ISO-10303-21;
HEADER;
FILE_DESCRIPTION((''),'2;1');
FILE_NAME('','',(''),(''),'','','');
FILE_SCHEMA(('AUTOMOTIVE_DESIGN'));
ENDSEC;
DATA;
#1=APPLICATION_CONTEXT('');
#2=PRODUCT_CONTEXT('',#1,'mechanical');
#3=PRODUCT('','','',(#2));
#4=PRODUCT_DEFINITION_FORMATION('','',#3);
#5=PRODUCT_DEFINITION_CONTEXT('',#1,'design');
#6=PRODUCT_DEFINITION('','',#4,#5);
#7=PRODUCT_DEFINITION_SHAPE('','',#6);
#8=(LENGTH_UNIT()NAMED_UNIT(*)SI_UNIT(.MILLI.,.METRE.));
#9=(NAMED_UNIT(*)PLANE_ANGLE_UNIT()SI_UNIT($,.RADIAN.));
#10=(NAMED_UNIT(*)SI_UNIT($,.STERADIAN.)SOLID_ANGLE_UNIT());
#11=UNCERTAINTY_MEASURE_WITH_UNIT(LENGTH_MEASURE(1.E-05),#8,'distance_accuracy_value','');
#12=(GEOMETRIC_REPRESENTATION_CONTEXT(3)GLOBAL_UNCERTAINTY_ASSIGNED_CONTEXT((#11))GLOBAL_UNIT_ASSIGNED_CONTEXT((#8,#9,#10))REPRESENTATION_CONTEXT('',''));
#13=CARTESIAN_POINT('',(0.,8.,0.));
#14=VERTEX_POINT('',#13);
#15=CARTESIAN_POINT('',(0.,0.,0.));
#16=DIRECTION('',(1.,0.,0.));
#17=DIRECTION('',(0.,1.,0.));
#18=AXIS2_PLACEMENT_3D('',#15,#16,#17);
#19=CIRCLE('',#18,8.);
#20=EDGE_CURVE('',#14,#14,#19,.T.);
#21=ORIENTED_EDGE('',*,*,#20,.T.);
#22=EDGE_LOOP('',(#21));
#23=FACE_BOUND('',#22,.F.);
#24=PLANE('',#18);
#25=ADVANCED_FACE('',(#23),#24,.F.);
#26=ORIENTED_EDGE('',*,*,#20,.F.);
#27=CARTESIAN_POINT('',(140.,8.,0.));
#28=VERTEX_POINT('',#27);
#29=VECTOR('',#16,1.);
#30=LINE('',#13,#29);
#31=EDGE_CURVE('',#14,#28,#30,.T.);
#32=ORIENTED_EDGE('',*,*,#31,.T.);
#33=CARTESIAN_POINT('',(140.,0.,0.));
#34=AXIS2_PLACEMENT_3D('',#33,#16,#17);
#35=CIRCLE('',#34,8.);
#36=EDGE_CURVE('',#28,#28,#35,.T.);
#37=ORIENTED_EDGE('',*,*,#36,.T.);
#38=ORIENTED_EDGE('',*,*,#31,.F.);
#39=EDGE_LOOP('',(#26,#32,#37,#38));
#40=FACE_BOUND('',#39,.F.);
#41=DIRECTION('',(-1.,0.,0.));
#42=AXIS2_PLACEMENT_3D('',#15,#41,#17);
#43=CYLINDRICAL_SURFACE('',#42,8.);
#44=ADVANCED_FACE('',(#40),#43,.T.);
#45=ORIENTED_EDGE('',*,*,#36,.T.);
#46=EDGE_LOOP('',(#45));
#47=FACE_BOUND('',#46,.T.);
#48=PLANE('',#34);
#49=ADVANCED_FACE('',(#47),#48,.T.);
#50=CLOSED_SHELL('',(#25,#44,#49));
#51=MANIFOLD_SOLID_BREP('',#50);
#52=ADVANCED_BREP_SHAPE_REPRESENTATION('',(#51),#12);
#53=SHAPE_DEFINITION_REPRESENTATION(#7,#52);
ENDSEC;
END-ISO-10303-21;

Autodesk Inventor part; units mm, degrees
ref_plane "YZ Plane" through (0, 0, 0) normal (1, 0, 0) x (0, 1, 0)
ref_plane "XZ Plane" through (0, 0, 0) normal (0, 1, 0) x (-1, 0, 0)
ref_plane "XY Plane" through (0, 0, 0) normal (0, 0, 1) x (1, 0, 0)
sketch "Sketch1" plane through (0, 0, 0) normal (1, 0, 0) x (0, 1, 0)
  circle A0 centre (0, 0) radius 8
  dimension "d0" = 16
extrude "Extrusion1" add sketch "Sketch1" along normal blind 140
properties part number "Marcador"
